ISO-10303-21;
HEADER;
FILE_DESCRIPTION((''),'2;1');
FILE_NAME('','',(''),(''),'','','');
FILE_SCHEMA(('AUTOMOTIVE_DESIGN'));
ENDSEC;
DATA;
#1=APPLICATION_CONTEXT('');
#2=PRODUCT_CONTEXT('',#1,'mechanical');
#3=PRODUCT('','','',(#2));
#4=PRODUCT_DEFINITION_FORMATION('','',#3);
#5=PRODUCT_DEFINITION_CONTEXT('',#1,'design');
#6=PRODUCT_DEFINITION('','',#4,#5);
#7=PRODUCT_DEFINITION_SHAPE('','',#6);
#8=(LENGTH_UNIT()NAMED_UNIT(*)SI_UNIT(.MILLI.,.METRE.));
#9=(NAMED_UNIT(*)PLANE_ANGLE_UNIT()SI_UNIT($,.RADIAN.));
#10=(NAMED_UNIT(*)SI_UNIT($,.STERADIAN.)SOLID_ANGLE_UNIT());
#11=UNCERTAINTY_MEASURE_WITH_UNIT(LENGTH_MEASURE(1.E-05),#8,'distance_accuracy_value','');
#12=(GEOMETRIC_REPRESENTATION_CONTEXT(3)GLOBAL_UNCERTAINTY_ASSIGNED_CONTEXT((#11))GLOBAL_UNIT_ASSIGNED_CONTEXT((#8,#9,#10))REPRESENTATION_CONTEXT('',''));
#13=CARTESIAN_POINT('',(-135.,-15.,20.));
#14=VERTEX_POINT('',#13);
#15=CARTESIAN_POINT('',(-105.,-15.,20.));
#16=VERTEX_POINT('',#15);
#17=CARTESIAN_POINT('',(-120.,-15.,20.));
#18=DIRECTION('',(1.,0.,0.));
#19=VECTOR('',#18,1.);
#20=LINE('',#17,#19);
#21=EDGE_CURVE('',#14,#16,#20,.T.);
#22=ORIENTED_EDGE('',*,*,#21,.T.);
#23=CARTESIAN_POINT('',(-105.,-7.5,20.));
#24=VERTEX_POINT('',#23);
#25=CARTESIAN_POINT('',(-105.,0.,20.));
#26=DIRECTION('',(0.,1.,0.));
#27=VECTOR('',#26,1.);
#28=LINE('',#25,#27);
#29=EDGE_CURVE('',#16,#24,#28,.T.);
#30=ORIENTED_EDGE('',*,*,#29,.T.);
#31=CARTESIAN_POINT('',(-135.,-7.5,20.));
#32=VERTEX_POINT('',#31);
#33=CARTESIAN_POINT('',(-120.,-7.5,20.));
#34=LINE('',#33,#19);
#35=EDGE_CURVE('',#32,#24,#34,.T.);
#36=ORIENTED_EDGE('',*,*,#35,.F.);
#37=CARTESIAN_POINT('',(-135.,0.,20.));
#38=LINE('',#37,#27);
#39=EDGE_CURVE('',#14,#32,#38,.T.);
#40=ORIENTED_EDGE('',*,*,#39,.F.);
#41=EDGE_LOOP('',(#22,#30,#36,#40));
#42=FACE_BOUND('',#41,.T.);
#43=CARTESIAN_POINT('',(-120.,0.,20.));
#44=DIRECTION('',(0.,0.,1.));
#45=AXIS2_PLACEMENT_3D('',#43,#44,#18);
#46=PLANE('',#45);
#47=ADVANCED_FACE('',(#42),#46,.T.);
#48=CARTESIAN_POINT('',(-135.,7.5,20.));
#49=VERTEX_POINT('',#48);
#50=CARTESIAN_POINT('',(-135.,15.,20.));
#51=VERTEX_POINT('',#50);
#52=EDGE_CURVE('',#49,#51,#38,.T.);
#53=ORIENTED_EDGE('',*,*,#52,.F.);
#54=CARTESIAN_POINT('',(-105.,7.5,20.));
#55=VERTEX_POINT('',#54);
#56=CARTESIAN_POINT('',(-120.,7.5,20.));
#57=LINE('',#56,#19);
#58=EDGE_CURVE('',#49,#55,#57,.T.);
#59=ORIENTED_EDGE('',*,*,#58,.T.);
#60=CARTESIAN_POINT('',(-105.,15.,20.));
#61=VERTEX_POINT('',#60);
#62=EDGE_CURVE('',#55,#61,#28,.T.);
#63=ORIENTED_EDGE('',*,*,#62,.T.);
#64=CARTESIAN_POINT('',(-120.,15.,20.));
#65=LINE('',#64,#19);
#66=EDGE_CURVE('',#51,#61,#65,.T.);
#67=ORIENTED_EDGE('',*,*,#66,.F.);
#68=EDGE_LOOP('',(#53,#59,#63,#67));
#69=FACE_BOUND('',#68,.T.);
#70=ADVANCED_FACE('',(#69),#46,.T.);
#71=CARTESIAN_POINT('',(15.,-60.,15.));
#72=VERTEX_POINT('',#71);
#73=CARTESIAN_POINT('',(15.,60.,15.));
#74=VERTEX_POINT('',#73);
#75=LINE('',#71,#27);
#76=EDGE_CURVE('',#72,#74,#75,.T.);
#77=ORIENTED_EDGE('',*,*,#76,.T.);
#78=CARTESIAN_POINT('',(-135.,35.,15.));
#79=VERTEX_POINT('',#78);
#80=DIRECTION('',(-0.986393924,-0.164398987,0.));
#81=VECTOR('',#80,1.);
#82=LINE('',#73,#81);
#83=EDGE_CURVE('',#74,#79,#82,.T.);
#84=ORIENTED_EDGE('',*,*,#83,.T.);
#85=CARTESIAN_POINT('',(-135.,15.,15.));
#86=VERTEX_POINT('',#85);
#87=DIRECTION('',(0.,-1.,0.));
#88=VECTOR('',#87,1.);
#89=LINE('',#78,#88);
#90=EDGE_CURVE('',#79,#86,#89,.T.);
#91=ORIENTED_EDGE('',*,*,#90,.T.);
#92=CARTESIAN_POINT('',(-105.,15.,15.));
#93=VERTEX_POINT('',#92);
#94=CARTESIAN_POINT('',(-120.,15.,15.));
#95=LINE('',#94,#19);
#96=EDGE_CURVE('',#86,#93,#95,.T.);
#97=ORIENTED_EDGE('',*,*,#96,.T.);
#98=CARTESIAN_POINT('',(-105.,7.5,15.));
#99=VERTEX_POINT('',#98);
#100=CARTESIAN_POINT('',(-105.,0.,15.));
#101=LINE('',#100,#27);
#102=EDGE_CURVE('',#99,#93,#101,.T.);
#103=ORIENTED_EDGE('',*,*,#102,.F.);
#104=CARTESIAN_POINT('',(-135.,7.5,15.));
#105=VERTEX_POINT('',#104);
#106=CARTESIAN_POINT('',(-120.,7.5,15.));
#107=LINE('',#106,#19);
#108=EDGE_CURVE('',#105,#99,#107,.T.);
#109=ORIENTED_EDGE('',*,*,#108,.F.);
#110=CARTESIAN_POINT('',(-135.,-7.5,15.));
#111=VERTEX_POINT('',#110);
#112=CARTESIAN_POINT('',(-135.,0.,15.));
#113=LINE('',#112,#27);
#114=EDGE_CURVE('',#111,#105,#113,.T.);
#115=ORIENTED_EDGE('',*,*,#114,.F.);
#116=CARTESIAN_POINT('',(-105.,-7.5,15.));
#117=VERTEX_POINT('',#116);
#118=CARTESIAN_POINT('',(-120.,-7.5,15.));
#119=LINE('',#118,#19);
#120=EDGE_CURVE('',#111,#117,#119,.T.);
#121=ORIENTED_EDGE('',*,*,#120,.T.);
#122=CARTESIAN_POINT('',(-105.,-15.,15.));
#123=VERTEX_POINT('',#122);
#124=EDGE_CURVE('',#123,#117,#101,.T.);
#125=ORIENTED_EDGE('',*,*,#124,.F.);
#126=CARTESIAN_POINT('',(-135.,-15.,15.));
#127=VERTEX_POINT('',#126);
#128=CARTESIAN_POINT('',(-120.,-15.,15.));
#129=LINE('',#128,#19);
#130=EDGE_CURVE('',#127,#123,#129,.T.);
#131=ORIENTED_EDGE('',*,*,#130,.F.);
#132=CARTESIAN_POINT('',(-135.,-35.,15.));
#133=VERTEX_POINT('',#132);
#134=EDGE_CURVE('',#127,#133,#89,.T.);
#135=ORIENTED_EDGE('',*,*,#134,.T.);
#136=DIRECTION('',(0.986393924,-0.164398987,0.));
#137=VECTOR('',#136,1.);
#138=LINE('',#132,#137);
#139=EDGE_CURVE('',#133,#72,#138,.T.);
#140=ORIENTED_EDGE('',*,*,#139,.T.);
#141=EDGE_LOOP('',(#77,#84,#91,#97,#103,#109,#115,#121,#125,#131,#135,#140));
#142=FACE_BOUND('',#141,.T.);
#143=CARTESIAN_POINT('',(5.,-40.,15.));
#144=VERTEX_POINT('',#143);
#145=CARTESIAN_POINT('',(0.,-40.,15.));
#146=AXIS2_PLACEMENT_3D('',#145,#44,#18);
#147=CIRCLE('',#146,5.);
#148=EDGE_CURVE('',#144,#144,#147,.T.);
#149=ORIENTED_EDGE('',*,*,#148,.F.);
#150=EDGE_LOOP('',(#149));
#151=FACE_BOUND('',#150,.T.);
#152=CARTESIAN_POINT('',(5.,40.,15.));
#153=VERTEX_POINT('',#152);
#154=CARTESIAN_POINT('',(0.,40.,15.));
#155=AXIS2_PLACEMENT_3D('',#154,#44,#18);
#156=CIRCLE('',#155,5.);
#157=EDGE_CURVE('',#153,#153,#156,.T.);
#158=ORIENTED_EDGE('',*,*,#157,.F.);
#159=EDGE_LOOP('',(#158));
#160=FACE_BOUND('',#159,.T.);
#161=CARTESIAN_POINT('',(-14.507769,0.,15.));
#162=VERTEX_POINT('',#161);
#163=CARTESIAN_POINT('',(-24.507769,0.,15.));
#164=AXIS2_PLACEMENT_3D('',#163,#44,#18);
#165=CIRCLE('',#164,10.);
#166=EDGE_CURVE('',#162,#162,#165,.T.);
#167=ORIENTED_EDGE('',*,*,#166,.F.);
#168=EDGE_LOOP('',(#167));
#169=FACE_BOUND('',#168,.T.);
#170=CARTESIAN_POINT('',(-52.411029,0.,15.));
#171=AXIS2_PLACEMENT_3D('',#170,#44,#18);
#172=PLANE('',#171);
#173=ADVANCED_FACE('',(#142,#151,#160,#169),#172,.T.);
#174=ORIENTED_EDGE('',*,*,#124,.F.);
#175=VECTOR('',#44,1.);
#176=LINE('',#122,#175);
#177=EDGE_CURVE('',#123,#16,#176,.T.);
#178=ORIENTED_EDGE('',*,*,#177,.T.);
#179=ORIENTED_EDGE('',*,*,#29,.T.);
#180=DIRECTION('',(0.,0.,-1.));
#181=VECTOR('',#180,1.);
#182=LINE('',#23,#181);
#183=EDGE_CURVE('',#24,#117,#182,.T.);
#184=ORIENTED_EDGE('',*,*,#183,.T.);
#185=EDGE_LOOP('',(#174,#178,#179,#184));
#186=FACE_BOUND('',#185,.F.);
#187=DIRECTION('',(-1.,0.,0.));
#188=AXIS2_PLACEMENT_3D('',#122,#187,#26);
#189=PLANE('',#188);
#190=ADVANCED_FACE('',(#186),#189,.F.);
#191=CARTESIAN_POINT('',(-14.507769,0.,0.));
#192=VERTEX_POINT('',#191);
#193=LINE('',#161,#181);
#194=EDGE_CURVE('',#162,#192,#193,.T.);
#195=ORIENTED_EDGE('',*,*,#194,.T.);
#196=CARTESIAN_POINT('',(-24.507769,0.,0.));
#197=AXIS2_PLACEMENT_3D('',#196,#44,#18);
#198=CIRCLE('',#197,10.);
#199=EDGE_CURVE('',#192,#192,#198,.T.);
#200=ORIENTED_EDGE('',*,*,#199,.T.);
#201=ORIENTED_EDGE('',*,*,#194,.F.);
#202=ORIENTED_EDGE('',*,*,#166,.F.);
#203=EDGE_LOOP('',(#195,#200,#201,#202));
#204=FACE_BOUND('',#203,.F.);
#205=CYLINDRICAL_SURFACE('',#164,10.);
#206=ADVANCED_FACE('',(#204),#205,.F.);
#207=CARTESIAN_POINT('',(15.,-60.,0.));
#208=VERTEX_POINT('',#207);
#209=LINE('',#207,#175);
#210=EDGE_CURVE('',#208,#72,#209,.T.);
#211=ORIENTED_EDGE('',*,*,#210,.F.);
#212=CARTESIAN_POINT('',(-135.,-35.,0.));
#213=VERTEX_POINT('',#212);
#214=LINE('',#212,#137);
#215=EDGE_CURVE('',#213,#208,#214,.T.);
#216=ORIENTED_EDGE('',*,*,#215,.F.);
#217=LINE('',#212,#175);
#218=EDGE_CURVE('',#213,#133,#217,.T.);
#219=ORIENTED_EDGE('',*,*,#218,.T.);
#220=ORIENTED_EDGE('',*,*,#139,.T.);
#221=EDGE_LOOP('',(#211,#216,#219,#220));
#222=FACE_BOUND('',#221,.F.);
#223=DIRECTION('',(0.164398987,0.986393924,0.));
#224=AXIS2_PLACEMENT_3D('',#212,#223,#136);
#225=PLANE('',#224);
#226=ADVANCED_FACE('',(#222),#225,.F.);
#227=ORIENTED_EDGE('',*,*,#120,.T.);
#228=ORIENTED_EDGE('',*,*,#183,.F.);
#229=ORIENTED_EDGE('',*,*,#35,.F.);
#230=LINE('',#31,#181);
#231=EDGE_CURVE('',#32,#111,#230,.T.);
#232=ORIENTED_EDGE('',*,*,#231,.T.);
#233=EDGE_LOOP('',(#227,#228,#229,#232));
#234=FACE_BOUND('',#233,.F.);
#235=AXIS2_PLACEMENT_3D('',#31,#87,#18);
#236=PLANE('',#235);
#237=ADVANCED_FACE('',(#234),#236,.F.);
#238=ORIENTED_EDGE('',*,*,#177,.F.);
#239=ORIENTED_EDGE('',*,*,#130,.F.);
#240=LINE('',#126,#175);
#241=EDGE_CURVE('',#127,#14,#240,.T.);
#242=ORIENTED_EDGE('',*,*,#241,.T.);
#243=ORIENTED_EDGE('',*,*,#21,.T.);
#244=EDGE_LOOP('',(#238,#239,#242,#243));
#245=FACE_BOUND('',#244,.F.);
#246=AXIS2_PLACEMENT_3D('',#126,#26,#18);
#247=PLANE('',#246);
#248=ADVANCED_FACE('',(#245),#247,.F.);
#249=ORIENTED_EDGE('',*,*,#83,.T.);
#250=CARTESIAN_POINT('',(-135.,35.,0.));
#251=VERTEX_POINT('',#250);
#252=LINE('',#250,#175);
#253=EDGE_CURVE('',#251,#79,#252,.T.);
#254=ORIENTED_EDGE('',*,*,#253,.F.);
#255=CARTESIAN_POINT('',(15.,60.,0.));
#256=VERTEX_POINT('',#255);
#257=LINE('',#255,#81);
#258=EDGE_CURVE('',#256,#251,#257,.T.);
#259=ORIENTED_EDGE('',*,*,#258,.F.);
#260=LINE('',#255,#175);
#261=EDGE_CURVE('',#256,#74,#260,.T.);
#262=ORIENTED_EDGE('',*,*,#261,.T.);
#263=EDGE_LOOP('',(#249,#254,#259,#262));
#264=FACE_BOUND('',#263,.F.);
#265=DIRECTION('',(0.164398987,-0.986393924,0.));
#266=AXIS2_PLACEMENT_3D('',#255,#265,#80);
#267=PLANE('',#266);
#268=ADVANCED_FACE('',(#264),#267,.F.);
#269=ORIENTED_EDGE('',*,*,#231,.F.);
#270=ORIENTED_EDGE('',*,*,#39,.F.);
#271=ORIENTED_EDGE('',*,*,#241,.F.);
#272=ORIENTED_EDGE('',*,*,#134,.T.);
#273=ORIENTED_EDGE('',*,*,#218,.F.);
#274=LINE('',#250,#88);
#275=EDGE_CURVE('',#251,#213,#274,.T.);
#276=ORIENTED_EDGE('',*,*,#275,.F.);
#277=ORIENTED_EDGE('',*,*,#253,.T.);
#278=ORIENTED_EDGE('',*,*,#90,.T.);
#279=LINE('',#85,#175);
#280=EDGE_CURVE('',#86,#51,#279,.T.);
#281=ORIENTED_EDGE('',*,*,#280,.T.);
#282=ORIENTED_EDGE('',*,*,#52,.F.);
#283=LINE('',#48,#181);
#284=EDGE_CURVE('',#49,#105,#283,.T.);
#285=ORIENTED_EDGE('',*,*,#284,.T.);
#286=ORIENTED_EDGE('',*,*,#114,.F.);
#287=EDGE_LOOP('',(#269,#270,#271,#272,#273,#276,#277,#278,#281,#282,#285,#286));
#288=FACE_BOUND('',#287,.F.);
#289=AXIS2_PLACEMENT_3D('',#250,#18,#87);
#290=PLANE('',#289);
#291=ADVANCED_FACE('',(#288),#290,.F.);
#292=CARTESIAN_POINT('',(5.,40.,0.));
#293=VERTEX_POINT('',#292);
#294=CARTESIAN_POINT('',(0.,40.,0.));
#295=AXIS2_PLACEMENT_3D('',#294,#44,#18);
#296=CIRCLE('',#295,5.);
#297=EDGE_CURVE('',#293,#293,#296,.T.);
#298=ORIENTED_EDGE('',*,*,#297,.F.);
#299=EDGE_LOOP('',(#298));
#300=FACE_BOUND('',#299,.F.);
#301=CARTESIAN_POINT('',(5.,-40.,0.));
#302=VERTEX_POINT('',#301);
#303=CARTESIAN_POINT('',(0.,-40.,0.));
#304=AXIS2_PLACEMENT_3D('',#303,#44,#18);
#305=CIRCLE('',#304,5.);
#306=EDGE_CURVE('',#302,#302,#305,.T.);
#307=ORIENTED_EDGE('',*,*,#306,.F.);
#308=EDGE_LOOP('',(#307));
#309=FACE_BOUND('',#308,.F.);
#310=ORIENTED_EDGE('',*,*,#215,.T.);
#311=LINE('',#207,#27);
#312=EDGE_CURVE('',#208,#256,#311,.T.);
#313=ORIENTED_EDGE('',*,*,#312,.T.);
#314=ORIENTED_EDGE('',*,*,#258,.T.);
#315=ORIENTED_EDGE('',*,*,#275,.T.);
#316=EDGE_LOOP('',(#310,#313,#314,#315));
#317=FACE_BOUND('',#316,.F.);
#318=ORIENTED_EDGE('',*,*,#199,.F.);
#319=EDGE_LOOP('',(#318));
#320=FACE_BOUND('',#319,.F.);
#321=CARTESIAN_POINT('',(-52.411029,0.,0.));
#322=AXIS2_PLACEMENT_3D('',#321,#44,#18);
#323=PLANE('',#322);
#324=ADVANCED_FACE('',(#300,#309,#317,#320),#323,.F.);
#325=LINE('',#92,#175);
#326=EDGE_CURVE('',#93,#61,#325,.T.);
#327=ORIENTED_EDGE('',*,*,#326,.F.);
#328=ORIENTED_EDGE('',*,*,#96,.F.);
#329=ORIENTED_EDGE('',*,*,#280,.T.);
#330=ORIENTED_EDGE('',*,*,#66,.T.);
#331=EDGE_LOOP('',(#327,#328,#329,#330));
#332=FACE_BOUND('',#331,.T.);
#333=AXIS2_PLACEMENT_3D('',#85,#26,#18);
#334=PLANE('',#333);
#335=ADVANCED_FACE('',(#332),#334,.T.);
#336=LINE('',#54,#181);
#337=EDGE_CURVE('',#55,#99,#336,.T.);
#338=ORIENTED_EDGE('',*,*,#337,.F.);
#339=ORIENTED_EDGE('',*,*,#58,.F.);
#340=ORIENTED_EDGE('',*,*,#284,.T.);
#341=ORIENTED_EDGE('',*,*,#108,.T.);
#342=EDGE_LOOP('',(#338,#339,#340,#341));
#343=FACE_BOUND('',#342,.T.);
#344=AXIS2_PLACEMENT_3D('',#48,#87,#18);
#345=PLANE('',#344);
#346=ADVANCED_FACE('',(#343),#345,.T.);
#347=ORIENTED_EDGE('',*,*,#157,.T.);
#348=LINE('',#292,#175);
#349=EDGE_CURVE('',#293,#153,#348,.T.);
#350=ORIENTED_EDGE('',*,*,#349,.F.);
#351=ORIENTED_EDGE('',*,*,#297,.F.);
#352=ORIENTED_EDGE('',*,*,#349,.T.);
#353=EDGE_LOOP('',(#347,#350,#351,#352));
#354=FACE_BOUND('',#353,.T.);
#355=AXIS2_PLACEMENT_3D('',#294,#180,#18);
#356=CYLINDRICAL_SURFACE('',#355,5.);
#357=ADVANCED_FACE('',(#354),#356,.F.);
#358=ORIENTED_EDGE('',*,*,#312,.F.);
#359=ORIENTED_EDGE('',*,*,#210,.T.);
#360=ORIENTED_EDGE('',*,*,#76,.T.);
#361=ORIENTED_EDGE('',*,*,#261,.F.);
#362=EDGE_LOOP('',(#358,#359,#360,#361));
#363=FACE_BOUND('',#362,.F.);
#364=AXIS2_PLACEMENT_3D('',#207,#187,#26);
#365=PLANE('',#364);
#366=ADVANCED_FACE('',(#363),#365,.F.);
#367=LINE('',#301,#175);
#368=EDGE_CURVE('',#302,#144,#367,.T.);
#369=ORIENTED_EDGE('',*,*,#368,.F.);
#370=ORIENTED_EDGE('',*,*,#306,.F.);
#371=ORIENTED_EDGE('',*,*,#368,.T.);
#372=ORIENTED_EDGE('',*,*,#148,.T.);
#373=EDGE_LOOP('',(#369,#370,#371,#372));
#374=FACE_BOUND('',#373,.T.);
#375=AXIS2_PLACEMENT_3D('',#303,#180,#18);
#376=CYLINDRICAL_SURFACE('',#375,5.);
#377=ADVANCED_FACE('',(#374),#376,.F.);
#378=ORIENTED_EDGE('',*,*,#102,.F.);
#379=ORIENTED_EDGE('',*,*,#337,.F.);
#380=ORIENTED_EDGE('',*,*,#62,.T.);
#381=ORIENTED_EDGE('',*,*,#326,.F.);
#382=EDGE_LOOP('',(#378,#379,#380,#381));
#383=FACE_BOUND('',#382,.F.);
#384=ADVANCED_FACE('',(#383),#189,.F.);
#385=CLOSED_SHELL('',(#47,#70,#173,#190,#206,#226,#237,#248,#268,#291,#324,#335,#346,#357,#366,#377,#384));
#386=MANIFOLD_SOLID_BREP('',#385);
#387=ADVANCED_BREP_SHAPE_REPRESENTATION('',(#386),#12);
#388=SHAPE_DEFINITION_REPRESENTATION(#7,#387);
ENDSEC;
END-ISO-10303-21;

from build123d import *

# Parameters (mm, degrees)
F0_R     = 5
F1_DEPTH = 15
F2_W     = 30
F2_H     = 30
F3_DEPTH = 5
F4_W     = 30
F4_H     = 15
F5_DEPTH = 5
F6_R     = 10
F7_DEPTH = 15


with BuildPart() as f1:
    # F0 (on Top) → F1 (new body)
    with BuildSketch(Plane.XY):
        Polygon((-135, 0), (-135, -35), (15, -60), (15, 0), (15, 60), (-135, 35), align=None)
        with Locations((0, -40)):
            Circle(F0_R, mode=Mode.SUBTRACT)
        with Locations((0, 40)):
            Circle(F0_R, mode=Mode.SUBTRACT)
    extrude(amount=F1_DEPTH)

    # F2 (on face) → F3 (join)
    with BuildSketch(Plane.XY.offset(15)):
        with Locations((-120, 0)):
            Rectangle(F2_W, F2_H)
    extrude(amount=F3_DEPTH)

    # F4 (on face) → F5 (cut)
    with BuildSketch(Plane.XY.offset(20)):
        with Locations((-120, 0)):
            Rectangle(F4_W, F4_H)
    extrude(amount=-F5_DEPTH, mode=Mode.SUBTRACT)

    # F6 (on face) → F7 (cut)
    with BuildSketch(Plane.XY.offset(15)):
        with Locations((-24.507769, 0)):
            Circle(F6_R)
    extrude(amount=-F7_DEPTH, mode=Mode.SUBTRACT)


solid = f1.part
